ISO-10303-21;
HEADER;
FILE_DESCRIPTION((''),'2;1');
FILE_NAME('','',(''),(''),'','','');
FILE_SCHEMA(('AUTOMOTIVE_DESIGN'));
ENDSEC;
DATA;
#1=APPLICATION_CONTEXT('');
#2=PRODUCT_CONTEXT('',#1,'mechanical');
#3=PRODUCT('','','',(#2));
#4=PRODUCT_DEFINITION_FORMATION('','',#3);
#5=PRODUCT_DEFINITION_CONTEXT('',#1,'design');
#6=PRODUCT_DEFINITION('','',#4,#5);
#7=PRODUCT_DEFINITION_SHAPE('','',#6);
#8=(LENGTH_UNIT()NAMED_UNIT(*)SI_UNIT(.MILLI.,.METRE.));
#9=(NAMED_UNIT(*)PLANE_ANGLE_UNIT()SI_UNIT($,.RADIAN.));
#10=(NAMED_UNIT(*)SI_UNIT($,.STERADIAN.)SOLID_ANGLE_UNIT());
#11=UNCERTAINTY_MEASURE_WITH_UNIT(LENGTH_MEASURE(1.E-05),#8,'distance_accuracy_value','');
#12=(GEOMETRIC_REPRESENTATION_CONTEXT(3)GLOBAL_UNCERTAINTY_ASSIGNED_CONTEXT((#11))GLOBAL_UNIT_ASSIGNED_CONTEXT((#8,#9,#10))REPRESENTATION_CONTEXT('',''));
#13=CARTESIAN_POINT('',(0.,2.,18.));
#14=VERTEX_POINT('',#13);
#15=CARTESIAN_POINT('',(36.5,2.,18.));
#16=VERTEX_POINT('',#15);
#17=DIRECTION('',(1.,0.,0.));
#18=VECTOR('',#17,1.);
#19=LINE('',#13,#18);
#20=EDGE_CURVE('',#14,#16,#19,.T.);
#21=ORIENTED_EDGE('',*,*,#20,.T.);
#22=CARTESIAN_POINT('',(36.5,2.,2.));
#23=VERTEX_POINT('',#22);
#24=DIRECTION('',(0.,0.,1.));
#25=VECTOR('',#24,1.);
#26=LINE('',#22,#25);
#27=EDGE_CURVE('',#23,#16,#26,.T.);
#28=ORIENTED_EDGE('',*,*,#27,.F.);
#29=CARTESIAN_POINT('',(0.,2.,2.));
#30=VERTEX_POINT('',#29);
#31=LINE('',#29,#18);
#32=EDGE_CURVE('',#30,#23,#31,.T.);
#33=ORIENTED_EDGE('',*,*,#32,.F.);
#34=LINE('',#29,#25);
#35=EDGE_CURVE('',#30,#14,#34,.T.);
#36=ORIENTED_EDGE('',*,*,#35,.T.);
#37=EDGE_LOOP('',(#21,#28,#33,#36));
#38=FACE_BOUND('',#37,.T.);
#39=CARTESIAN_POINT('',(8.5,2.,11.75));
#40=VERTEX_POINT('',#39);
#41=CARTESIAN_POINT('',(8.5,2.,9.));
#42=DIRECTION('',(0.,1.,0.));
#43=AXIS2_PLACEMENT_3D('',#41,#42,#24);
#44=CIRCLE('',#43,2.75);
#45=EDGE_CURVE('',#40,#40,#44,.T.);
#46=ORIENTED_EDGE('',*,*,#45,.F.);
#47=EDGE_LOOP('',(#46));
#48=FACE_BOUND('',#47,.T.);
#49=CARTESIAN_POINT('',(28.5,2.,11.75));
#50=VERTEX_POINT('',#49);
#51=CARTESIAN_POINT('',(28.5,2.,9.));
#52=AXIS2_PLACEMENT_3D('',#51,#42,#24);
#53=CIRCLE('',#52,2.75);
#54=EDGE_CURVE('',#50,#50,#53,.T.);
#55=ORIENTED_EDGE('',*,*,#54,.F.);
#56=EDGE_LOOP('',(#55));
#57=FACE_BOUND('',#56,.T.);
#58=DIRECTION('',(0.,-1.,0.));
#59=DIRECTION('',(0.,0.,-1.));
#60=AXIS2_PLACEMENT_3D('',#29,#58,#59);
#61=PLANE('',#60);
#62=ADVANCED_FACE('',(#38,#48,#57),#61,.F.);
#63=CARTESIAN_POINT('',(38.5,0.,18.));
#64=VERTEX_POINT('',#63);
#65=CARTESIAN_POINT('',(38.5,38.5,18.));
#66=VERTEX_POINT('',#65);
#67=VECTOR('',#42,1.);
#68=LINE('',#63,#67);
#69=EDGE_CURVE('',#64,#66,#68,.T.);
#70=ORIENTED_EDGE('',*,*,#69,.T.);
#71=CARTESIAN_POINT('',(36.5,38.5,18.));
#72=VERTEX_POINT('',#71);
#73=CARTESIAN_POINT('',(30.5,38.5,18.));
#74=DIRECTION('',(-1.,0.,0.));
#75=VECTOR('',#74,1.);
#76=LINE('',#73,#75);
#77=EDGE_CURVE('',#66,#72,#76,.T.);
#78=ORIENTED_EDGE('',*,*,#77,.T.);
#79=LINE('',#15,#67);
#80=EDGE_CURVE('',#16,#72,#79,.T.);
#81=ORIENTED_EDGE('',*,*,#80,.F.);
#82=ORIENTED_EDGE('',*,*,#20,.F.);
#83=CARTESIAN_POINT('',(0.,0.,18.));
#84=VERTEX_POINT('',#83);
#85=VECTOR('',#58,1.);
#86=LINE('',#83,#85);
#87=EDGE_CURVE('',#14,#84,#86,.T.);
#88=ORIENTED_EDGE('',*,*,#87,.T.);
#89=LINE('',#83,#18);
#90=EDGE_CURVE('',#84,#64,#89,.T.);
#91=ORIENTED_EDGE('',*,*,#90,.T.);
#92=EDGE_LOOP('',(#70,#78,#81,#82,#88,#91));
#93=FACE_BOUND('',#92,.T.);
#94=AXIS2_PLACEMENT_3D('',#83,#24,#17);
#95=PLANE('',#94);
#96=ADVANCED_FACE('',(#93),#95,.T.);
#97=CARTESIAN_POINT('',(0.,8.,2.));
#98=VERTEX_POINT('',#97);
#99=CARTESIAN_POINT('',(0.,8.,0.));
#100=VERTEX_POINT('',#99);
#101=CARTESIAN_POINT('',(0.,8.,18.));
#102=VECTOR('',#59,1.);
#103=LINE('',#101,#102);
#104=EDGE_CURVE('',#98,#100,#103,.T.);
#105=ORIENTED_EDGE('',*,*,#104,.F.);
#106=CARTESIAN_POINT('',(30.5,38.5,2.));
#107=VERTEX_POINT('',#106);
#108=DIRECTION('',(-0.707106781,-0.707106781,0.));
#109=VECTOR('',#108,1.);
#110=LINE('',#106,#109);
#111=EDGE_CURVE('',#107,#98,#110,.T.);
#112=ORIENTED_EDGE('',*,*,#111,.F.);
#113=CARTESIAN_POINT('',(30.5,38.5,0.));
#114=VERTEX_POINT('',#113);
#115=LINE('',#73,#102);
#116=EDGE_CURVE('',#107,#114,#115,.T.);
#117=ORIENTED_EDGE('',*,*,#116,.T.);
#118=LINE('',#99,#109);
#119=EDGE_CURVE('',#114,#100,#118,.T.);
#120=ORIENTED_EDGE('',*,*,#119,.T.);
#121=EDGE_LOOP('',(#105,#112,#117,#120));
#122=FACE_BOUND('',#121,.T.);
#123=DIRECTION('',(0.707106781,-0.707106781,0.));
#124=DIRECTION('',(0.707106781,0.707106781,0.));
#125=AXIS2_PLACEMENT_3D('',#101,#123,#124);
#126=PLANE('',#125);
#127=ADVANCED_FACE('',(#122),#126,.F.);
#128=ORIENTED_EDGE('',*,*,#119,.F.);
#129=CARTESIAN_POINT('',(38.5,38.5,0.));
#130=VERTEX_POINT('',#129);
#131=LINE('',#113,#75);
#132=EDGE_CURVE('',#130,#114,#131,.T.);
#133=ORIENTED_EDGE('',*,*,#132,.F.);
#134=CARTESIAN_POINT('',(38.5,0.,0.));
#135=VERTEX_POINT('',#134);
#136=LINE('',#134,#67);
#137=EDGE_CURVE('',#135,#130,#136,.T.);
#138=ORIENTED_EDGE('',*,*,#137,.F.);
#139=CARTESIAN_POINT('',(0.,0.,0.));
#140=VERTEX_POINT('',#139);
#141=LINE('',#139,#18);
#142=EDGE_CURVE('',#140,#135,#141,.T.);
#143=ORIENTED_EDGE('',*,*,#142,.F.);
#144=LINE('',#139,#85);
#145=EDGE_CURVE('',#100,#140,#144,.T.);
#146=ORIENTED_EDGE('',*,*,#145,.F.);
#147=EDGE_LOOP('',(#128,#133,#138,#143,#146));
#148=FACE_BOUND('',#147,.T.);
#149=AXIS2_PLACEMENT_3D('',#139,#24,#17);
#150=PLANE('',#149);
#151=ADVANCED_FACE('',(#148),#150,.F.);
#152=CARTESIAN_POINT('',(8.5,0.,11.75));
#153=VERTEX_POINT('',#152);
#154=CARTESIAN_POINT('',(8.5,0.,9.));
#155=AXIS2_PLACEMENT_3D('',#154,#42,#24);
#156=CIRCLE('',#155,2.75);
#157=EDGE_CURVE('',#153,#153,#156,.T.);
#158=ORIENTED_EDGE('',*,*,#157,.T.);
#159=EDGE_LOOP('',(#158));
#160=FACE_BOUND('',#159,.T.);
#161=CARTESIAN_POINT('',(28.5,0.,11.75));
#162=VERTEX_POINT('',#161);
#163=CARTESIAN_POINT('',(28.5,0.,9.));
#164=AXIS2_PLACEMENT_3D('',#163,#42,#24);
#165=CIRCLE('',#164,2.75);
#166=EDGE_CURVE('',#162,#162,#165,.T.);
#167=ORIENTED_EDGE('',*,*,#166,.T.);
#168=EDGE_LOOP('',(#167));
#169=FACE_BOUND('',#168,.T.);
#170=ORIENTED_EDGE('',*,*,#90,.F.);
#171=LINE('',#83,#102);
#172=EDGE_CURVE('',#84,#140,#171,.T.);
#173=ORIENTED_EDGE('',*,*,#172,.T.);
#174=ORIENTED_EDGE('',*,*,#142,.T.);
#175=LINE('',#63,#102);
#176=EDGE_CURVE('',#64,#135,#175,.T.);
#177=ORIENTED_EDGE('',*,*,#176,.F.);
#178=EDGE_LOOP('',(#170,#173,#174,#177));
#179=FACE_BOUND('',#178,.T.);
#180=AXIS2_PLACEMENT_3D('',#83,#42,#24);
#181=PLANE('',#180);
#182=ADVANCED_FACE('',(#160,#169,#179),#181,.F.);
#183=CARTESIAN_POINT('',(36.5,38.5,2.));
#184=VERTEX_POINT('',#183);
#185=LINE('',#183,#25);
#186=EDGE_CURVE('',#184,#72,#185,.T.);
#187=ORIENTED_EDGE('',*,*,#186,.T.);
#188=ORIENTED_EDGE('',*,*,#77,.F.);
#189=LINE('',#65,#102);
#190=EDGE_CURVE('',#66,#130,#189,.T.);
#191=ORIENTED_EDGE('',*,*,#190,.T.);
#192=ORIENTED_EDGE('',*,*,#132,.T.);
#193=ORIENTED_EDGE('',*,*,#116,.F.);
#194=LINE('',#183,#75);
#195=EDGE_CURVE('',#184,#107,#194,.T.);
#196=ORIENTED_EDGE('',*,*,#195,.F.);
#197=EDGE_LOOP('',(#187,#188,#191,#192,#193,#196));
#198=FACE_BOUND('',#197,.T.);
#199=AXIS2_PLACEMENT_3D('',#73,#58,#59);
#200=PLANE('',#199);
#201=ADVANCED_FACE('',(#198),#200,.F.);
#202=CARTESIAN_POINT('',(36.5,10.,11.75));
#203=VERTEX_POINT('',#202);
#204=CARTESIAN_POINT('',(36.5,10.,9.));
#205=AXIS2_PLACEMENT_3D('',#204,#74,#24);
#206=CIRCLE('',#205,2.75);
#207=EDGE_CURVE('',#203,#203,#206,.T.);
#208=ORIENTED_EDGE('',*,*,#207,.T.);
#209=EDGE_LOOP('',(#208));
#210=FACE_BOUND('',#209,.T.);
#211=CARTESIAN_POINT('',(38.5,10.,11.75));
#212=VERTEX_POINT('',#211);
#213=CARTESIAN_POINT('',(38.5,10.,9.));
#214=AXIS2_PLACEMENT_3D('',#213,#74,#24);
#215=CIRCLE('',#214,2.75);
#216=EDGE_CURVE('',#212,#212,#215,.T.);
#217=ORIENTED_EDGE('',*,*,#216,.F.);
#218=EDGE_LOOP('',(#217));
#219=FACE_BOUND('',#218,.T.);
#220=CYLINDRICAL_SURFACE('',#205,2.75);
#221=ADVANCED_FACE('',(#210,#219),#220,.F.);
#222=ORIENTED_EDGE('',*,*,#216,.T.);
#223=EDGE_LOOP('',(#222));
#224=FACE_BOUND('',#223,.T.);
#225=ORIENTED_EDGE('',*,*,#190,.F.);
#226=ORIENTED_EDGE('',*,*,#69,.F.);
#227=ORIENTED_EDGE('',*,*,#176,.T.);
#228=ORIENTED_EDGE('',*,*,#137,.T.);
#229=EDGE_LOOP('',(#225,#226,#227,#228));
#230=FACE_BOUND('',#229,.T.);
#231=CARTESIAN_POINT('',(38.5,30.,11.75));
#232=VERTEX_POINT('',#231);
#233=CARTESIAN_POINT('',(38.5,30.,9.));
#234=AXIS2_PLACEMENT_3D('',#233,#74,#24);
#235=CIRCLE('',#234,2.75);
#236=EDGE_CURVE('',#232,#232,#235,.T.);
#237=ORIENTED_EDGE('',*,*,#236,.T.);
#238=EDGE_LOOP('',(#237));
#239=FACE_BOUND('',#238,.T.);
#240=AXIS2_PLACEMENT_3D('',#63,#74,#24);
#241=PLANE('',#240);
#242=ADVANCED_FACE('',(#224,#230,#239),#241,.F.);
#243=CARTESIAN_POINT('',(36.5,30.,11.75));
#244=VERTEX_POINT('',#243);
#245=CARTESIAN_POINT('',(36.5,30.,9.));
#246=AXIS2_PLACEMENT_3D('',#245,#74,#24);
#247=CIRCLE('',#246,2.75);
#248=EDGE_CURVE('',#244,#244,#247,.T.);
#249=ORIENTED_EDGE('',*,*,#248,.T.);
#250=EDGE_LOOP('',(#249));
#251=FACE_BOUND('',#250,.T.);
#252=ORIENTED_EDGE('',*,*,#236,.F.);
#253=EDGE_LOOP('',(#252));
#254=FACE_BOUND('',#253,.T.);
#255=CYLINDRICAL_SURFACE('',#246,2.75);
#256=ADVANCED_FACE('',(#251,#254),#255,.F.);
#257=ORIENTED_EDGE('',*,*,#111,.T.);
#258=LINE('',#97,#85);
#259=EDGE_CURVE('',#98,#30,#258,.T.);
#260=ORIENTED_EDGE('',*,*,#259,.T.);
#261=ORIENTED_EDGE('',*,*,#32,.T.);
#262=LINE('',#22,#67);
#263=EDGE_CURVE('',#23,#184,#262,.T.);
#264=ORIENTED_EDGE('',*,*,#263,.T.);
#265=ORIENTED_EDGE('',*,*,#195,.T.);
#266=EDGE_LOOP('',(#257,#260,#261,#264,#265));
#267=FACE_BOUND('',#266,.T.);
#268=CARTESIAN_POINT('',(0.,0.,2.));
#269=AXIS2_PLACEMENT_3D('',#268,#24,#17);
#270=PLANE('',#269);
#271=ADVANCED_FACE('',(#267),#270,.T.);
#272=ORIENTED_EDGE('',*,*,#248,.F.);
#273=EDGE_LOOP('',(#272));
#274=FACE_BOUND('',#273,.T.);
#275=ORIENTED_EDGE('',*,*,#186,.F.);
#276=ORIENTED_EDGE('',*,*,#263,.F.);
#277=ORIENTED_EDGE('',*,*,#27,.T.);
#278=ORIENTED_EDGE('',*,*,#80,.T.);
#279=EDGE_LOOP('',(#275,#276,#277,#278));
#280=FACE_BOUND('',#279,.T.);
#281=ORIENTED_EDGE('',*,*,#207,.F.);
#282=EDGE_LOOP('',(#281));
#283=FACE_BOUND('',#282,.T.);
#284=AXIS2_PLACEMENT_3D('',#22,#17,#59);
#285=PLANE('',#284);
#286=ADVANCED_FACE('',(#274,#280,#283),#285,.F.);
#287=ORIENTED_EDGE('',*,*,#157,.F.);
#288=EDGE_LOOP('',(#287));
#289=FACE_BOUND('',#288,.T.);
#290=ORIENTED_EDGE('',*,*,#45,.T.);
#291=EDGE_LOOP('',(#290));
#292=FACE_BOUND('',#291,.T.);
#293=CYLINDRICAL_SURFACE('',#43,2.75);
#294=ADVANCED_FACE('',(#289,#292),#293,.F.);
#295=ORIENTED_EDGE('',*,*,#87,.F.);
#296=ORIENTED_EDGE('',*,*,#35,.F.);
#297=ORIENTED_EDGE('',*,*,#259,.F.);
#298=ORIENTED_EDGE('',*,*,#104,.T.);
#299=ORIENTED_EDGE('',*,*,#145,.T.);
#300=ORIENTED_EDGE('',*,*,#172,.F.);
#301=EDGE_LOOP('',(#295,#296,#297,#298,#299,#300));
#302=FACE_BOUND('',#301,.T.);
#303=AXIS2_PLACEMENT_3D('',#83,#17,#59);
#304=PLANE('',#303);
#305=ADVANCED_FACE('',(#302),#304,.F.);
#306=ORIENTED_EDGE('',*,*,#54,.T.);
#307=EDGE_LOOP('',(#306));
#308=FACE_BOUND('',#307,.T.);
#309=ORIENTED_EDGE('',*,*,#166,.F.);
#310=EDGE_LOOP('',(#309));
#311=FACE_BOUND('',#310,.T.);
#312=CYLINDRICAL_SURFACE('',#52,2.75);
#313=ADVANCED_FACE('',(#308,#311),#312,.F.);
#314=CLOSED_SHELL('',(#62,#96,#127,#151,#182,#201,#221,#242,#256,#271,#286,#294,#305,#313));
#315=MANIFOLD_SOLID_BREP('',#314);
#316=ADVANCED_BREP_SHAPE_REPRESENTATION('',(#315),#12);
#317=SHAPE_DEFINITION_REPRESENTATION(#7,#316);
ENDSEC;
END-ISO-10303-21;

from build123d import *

# Parameters (mm, degrees)
EXTRUDE_1_DEPTH     = 18
CUT_EXTRUDE_1_DEPTH = 16
HOLE_WIZARD_M51_D   = 5.5
HOLE_WIZARD_M52_D   = 5.5


with BuildPart() as part:
    # Эскиз1 → Бобышка-Вытянуть1 (new body)
    with BuildSketch(Plane.XY):
        Polygon((0, 0), (0, 8), (30.5, 38.5), (38.5, 38.5), (38.5, 0), align=None)
    extrude(amount=EXTRUDE_1_DEPTH)

    # Эскиз2 → Вырез-Вытянуть1 (cut)
    with BuildSketch(Plane.XY.offset(18)):
        Polygon((0, 2), (36.5, 2), (36.5, 38.5), (30.5, 38.5), (0, 8), align=None)
    extrude(amount=-CUT_EXTRUDE_1_DEPTH, mode=Mode.SUBTRACT)

    # Отверстие с зазором M51 (through all)
    with Locations(Plane(origin=(0, 2, 0), x_dir=(1, 0, 0), z_dir=(0, 1, 0))):
        with Locations((8.5, -9), (28.5, -9)):
            Hole(HOLE_WIZARD_M51_D / 2)

    # Отверстие с зазором M52 (through all)
    with Locations(Plane.ZY.offset(-36.5)):
        with Locations((9, 10), (9, 30)):
            Hole(HOLE_WIZARD_M52_D / 2)


solid = part.part
